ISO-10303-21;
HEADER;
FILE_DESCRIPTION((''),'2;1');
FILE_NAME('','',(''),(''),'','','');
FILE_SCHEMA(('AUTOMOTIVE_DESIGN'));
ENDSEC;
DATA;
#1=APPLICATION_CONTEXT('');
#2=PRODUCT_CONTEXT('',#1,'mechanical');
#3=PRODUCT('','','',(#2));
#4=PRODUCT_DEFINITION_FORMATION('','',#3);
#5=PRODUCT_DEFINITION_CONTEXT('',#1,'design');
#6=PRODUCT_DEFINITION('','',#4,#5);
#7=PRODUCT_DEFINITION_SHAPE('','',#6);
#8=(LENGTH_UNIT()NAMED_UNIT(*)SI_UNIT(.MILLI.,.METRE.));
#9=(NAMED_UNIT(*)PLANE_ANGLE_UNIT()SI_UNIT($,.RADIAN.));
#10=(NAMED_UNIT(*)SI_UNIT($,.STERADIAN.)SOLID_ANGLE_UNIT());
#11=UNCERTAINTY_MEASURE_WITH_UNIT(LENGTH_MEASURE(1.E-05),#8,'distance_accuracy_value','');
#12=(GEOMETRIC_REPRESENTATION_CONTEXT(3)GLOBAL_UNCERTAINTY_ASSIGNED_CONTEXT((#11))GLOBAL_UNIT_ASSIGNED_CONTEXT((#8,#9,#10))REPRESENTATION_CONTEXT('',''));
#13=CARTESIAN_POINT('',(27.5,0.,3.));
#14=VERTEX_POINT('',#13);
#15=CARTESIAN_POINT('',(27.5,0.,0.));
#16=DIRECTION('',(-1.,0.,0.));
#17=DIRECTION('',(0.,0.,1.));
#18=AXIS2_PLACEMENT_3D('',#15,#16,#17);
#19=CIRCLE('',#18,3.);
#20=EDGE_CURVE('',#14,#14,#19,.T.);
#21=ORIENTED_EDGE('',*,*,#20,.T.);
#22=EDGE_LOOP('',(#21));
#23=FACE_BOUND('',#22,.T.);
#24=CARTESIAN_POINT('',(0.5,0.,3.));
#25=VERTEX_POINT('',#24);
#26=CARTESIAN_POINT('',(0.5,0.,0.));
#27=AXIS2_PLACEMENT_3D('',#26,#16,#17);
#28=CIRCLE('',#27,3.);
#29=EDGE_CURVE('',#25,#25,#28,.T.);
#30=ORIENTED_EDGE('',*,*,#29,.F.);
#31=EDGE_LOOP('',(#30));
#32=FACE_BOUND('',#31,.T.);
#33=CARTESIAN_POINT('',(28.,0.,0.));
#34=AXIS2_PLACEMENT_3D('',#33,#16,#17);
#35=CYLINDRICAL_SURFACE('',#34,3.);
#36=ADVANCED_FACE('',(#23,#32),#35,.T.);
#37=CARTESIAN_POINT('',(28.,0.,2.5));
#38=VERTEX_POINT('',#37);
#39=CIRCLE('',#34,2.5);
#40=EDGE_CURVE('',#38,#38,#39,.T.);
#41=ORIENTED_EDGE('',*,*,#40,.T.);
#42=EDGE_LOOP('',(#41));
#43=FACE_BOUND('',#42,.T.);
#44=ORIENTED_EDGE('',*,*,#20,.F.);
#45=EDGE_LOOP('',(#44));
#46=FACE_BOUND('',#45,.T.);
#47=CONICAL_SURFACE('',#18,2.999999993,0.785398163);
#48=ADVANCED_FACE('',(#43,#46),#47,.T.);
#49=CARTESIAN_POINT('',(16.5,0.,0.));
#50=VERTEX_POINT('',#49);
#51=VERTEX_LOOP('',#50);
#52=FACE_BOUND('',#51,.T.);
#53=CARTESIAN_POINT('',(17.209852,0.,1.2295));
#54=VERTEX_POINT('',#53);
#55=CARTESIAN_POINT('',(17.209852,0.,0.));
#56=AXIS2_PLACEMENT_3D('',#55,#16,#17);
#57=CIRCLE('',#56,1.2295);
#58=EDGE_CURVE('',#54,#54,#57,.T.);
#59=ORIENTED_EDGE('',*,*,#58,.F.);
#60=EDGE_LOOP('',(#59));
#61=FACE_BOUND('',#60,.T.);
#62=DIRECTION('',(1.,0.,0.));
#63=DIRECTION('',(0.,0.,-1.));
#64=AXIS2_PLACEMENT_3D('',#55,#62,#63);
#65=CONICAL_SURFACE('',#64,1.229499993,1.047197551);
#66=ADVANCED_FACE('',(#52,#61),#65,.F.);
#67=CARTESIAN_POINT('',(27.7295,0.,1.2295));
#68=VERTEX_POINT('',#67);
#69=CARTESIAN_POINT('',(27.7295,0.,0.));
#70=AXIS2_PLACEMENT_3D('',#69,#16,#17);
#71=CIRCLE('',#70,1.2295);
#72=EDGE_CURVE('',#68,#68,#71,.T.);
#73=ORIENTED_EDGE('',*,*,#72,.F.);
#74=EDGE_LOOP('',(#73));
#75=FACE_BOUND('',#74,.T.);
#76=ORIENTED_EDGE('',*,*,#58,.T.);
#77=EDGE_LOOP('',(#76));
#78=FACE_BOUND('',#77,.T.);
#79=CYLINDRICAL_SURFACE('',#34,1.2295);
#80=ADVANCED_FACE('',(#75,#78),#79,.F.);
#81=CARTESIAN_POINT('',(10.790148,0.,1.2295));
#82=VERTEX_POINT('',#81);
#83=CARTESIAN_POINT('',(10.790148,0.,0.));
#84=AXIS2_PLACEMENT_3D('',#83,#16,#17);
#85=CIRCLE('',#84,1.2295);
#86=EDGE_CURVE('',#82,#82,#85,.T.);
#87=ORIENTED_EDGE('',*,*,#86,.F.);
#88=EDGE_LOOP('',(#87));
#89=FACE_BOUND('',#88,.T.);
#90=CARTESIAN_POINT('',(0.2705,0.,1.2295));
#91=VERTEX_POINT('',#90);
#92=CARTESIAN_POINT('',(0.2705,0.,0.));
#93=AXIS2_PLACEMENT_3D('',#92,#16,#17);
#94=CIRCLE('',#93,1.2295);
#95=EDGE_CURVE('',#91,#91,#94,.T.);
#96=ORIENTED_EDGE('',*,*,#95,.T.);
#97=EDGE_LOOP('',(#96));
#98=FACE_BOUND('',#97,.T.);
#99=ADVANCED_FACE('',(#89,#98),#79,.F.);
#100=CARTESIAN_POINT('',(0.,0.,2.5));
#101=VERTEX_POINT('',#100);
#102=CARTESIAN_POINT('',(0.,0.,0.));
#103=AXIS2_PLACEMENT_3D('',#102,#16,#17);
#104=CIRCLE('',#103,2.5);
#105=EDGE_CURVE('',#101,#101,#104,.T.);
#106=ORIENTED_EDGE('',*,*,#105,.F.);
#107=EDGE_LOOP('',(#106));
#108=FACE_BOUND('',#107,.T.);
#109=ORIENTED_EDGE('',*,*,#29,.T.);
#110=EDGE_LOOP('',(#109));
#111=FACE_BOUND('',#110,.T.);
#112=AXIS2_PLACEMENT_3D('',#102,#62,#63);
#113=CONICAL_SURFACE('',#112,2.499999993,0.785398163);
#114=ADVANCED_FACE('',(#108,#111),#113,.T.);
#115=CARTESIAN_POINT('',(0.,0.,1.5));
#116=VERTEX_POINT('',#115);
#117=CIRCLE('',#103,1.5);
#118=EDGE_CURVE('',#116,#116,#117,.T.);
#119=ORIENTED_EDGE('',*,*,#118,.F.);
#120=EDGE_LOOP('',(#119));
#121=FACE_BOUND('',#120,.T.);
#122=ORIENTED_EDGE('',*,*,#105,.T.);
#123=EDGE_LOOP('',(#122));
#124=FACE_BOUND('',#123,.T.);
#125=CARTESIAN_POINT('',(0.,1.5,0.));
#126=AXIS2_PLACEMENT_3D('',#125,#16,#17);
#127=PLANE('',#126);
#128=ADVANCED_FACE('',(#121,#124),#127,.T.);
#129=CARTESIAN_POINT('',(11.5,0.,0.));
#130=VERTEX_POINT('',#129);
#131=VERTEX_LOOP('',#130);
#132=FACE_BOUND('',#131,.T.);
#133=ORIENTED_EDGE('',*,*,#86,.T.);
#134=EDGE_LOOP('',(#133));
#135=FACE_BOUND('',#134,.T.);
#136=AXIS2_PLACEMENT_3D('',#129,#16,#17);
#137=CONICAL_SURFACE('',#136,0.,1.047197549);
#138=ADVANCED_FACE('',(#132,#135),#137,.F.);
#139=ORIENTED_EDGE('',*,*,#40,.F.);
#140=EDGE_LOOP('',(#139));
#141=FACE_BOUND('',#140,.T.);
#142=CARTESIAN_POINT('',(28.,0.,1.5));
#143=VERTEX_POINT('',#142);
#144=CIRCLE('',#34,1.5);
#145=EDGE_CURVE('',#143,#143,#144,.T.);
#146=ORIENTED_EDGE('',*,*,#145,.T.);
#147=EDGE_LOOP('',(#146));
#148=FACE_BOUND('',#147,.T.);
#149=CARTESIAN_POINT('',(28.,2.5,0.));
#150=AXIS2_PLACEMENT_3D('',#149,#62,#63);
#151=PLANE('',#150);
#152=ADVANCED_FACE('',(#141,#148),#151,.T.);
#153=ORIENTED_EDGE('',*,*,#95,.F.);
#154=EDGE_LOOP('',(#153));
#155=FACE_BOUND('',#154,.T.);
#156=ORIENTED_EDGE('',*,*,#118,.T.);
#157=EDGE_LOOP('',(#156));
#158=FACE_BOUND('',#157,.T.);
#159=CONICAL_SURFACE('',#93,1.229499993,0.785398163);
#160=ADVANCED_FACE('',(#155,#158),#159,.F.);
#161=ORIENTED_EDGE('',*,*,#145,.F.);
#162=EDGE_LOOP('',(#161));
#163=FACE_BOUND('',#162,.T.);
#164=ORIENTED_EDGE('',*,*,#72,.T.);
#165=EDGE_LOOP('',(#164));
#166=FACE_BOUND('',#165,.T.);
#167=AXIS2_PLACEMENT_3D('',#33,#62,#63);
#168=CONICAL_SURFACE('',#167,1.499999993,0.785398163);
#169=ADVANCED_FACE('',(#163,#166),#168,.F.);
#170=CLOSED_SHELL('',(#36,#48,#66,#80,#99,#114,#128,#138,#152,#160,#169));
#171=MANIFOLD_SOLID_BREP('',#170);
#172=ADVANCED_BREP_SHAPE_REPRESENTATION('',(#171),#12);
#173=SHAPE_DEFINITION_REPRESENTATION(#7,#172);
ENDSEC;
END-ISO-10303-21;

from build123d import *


with BuildPart() as part:
    # Sketch1 → Revolve1 (revolve)
    with BuildSketch(Plane(origin=(0, 0, 0), x_dir=(-1, 0, 0), z_dir=(0, 0, -1))):
        Polygon((-17.209852156, 1.2295), (-16.500000004, 7e-09), (-11.5, 7e-09), (-10.790147844, 1.2295), (-0.2705, 1.2295), (0, 1.5), (0, 2.5), (-0.5, 3), (-27.5, 3), (-28, 2.5), (-28, 1.5), (-27.7295, 1.2295), align=None)
    revolve(axis=Axis((28, 7e-09, 0), (-1, 0, 0)))


solid = part.part
